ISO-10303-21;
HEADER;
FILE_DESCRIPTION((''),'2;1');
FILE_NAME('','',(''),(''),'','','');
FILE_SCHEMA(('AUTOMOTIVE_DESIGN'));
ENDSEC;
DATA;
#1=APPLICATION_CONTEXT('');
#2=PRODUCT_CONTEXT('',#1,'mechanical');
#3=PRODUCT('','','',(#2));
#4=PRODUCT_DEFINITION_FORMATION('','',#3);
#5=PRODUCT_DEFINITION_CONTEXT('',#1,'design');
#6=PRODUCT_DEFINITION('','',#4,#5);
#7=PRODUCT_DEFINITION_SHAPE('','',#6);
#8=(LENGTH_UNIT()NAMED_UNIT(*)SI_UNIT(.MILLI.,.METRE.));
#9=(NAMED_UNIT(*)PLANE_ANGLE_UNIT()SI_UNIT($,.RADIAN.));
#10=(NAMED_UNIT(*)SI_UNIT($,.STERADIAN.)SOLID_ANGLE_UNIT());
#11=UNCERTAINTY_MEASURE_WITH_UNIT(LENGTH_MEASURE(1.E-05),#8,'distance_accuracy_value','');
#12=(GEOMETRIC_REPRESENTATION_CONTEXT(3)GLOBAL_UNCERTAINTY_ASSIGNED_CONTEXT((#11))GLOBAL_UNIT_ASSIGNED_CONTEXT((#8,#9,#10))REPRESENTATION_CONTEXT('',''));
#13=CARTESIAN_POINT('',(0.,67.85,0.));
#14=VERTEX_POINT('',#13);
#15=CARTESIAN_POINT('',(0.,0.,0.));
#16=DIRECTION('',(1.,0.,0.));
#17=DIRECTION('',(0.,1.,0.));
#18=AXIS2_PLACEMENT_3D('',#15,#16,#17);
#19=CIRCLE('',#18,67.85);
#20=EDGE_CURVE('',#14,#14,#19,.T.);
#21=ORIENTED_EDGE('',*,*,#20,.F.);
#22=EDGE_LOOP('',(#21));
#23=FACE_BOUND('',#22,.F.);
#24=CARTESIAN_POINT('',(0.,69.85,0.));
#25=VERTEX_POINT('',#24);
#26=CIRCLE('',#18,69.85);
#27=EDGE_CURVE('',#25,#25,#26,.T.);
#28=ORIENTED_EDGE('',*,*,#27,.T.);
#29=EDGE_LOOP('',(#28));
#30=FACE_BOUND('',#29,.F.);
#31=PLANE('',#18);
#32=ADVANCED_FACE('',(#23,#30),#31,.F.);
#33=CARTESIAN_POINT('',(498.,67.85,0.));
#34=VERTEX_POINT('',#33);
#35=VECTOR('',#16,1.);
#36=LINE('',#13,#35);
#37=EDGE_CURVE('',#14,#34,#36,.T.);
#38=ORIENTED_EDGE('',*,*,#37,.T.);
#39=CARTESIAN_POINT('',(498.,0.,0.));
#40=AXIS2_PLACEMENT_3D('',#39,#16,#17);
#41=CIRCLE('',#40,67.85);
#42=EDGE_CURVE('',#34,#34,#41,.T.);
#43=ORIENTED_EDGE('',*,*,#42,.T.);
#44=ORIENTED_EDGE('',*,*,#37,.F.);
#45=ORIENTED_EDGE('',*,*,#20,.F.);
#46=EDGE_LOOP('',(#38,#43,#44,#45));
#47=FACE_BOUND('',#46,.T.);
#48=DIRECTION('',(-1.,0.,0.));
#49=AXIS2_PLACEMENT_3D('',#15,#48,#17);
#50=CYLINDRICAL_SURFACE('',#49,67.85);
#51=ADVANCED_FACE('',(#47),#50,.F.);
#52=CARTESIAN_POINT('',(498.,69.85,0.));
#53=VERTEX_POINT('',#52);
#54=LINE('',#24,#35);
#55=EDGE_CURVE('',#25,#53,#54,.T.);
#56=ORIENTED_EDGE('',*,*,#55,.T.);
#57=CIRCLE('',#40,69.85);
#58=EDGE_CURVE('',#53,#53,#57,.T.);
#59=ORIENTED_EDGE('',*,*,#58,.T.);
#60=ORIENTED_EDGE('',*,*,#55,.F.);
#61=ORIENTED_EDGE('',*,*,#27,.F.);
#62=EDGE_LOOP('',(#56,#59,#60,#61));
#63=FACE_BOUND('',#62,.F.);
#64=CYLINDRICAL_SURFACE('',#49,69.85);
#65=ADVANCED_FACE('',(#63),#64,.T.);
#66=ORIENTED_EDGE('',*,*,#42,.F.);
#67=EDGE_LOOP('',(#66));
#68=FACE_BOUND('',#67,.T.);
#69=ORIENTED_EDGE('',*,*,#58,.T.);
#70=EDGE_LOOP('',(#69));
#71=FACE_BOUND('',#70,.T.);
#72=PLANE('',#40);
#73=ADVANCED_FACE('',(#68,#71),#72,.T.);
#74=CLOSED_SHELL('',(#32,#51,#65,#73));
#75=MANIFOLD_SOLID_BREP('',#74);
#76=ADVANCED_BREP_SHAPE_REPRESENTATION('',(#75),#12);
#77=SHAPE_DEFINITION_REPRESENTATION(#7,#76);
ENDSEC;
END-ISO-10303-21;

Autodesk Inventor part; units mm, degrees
ref_plane "YZ Plane" through (0, 0, 0) normal (1, 0, 0) x (0, 1, 0)
ref_plane "XZ Plane" through (0, 0, 0) normal (0, 1, 0) x (-1, 0, 0)
ref_plane "XY Plane" through (0, 0, 0) normal (0, 0, 1) x (1, 0, 0)
sketch "Sketch1" plane through (0, 0, 0) normal (1, 0, 0) x (0, 1, 0)
  circle A0 centre (0, 0) radius 69.85
  circle A1 centre (0, 0) radius 67.85
  dimension "d0" = 139.7
  dimension "d1" = 2
extrude "Extrusion1" add sketch "Sketch1" along normal blind 498
equation "\"d0\" = OD"
equation "\"d1\" = t"
equation "\"d2\" = L"
equation "\"OD\" = 139.7"
equation "\"t\" = 2"
equation "\"L\" = PL"
equation "\"ID\" = 135.7"
equation "\"PL\" = 498"
equation "\"Size_Designation\" = 1.2345"
properties material "Steel"
